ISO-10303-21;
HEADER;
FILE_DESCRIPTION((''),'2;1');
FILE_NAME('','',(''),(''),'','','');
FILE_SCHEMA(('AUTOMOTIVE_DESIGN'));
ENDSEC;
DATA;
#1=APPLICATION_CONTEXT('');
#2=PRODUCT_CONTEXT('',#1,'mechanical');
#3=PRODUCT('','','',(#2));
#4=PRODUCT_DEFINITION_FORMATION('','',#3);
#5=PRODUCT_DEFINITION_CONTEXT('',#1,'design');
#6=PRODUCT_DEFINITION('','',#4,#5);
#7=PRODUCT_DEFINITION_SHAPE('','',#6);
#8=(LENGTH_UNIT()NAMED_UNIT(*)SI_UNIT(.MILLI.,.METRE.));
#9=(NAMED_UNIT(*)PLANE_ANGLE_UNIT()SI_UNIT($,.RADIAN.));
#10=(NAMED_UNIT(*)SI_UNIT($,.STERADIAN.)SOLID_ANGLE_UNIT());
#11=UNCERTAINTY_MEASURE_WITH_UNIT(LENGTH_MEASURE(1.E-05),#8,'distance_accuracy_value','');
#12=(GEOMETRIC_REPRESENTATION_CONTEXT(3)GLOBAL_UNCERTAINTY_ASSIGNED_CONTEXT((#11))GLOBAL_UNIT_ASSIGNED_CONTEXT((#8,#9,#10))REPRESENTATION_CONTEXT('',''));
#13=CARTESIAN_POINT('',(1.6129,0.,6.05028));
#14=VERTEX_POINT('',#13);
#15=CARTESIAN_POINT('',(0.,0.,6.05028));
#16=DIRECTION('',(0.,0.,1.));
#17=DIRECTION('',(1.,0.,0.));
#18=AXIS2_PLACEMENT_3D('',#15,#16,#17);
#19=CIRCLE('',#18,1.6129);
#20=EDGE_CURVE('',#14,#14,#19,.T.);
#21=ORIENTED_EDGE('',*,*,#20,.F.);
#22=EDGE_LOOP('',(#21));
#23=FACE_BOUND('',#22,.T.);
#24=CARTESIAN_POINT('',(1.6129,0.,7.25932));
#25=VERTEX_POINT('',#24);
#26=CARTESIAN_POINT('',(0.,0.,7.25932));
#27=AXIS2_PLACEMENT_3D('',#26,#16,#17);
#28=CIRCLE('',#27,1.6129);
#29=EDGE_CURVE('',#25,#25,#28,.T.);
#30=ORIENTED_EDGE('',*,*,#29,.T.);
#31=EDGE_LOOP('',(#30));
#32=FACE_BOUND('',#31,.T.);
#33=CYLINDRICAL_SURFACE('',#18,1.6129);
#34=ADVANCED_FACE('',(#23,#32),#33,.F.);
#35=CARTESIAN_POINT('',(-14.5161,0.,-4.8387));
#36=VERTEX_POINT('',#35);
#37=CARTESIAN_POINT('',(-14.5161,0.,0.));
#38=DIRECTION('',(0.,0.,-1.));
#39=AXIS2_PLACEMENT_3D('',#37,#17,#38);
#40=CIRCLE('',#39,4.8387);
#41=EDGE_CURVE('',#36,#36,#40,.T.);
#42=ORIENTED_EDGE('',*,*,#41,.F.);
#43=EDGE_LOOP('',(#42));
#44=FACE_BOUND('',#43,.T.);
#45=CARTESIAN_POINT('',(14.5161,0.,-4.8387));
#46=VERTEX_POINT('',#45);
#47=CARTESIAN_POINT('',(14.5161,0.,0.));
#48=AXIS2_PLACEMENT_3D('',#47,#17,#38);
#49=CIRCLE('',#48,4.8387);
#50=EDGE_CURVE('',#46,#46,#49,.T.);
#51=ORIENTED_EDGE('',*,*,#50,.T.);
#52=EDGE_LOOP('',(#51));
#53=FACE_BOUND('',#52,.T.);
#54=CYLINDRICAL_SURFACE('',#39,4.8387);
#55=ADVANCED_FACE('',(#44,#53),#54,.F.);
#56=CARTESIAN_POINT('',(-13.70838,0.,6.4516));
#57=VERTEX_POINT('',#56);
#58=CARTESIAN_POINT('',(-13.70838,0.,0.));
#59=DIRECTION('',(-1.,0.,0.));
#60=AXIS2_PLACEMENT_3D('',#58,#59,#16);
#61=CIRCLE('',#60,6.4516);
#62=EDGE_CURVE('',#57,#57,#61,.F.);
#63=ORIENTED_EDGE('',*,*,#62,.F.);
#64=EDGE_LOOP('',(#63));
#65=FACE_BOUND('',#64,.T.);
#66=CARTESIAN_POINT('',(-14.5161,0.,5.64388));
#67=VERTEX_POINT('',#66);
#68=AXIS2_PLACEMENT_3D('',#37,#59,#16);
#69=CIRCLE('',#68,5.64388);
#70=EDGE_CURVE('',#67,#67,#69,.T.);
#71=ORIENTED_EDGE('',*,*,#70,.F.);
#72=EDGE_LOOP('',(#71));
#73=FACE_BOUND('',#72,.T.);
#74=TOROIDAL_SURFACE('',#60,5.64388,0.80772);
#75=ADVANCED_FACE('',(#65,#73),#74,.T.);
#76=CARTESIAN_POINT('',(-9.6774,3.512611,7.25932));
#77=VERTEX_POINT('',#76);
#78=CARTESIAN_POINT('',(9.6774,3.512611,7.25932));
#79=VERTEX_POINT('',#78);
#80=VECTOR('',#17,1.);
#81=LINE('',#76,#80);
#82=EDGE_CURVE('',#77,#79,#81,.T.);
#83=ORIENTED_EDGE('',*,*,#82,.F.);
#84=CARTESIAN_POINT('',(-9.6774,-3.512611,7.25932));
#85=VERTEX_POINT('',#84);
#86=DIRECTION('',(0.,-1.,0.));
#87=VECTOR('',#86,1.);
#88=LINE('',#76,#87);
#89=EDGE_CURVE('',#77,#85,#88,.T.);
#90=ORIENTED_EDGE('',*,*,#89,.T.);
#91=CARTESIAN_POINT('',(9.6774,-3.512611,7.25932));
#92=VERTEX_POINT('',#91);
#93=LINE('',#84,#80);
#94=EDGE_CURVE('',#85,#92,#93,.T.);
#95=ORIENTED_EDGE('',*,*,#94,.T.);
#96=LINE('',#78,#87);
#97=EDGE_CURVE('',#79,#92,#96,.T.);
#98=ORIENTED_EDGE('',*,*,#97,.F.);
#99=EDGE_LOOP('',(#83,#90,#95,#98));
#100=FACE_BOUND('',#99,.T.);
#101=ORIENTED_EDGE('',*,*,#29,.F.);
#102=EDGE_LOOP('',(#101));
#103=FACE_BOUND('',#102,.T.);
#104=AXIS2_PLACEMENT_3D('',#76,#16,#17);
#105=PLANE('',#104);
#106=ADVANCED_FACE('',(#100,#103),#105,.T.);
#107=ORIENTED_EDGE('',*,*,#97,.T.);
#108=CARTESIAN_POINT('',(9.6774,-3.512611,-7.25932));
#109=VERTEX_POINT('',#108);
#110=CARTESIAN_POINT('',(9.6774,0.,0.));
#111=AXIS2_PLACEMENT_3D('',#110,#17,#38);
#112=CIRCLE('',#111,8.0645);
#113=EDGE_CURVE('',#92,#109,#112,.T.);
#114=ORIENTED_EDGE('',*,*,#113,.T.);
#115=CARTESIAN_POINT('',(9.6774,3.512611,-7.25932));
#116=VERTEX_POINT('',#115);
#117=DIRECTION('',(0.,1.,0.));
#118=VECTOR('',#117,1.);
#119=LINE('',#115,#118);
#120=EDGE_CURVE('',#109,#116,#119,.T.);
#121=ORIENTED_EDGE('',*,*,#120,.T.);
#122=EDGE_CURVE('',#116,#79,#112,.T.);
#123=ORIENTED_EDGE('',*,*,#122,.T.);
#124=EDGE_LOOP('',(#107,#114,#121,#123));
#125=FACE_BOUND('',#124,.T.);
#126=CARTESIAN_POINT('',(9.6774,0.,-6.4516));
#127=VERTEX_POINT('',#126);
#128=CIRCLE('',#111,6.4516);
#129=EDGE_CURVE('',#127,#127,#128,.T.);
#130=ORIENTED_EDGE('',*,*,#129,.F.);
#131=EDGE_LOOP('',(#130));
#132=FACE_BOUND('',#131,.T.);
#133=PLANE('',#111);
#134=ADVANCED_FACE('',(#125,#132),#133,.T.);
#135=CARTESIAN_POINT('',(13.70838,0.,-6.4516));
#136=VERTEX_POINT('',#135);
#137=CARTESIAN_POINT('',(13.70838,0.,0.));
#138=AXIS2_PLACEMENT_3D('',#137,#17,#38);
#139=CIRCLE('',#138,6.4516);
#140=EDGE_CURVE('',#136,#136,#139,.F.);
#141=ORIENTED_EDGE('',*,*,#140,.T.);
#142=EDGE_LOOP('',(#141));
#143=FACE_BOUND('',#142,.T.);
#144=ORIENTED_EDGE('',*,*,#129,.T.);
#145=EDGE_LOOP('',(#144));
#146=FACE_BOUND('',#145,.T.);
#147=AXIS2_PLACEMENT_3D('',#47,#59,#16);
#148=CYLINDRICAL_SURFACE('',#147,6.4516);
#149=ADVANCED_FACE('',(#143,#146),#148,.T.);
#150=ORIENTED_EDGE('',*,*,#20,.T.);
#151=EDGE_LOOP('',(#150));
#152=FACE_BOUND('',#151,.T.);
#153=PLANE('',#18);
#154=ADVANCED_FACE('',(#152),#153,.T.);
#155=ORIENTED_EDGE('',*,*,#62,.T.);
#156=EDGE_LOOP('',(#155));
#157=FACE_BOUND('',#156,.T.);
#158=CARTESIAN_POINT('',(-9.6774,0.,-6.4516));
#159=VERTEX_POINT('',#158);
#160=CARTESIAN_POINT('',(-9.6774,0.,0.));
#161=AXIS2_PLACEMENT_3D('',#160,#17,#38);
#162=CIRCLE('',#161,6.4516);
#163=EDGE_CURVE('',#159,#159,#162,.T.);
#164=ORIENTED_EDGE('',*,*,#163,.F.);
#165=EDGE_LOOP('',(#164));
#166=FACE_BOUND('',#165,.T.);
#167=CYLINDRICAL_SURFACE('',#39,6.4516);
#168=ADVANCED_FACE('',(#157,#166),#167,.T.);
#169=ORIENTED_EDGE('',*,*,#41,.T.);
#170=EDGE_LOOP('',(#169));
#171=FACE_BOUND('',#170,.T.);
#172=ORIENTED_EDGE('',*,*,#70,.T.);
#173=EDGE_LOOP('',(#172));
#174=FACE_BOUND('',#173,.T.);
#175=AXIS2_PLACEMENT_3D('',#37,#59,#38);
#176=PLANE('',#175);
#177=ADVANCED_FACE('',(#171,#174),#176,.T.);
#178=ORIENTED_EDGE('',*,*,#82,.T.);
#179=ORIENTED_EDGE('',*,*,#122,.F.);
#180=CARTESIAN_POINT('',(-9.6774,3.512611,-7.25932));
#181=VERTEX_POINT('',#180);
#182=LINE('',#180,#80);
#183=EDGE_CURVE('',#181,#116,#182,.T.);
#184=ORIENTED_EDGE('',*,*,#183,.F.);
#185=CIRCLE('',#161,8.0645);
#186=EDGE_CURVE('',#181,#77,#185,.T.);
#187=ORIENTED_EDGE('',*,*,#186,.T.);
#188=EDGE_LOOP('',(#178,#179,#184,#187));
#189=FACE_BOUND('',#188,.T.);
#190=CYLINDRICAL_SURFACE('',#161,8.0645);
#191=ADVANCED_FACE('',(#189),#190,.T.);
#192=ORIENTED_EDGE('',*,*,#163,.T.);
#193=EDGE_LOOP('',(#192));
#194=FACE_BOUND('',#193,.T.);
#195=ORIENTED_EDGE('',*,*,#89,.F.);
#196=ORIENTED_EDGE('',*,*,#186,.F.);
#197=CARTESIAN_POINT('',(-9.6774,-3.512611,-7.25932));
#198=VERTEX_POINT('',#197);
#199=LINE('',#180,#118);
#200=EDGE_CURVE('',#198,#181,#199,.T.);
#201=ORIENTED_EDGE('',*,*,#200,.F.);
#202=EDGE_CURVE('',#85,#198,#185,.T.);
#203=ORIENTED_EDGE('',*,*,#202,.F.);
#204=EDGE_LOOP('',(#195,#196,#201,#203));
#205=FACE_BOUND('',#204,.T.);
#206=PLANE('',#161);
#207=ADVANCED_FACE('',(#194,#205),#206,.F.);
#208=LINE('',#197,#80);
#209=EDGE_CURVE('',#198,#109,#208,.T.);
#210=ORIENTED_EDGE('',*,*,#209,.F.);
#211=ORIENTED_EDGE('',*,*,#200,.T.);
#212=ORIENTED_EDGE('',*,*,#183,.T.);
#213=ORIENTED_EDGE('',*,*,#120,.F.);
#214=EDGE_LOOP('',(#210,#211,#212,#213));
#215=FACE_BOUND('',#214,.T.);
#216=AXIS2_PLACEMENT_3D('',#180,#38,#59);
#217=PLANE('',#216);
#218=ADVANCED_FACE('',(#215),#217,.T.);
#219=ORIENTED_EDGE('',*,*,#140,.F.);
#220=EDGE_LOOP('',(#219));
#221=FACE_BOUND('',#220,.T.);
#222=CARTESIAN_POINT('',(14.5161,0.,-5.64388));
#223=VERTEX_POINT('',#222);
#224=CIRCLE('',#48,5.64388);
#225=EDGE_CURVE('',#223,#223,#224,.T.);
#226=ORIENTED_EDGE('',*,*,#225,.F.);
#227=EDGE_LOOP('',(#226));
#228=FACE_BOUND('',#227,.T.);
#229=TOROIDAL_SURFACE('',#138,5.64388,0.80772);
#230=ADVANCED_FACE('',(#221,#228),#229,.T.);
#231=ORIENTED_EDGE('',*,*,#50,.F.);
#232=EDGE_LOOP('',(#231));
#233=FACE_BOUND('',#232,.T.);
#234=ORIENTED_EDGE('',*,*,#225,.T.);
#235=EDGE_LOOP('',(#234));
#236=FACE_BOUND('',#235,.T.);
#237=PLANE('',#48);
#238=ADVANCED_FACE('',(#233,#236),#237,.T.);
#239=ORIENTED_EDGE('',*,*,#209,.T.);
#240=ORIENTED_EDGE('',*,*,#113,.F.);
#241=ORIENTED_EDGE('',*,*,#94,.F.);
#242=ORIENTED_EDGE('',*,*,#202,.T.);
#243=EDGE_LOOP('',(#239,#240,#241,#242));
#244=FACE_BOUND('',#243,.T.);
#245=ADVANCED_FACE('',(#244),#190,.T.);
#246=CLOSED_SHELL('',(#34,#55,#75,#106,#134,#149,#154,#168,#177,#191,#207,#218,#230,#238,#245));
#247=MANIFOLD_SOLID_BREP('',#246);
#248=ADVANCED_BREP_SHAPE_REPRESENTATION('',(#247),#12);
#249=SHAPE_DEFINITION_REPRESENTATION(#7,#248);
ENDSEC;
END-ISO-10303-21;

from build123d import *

# Parameters (mm, degrees)
BOSS_EXTRUDE1_DEPTH      = 9.6774
BOSS_EXTRUDE1_DEPTH_BACK = 9.6774
SKETCH2_R                = 6.4516
BOSS_EXTRUDE2_DEPTH      = 4.8387
SKETCH3_R                = 4.8387
CUT_EXTRUDE1_DEPTH       = 30.0322
FILLET1_R                = 0.80772
SKETCH4_R                = 1.6129
CUT_EXTRUDE2_DEPTH       = 1.20904


with BuildPart() as part:
    # Sketch1 → Boss-Extrude1 (new body, two sides)
    with BuildSketch(Plane(origin=(0, 0, 0), x_dir=(0, 0, -1), z_dir=(1, 0, 0))) as boss_extrude1_sk:
        with BuildLine():
            Line((-7.25932, 3.512610623), (-7.25932, -3.512610623))
            ThreePointArc((-7.25932, -3.512610623), (0, -8.0645), (7.25932, -3.512610623))
            Line((7.25932, -3.512610623), (7.25932, 3.512610623))
            ThreePointArc((7.25932, 3.512610623), (0, 8.0645), (-7.25932, 3.512610623))
        make_face()
    extrude(amount=BOSS_EXTRUDE1_DEPTH)
    extrude(boss_extrude1_sk.sketch, amount=-BOSS_EXTRUDE1_DEPTH_BACK)

    # Sketch2 → Boss-Extrude2 (add)
    with BuildSketch(Plane(origin=(9.6774, 0, 0), x_dir=(0, 0, -1), z_dir=(1, 0, 0))):
        Circle(SKETCH2_R)
    boss_extrude2 = extrude(amount=BOSS_EXTRUDE2_DEPTH)

    # Mirror1: Boss-Extrude2 across plane
    add(boss_extrude2.mirror(Plane(origin=(0, 0, 0), x_dir=(0, 0, 1), z_dir=(1, 0, 0))))

    # Sketch3 → Cut-Extrude1 (cut, through all)
    with BuildSketch(Plane(origin=(14.5161, 0, 0), x_dir=(0, 0, -1), z_dir=(1, 0, 0))):
        Circle(SKETCH3_R)
    extrude(amount=-CUT_EXTRUDE1_DEPTH, mode=Mode.SUBTRACT)

    # Fillet1
    fillet1_edges = [part.edges().sort_by_distance(p)[0] for p in [
        (14.5161, 0, 6.4516),
        (-14.5161, 0, 6.4516),
    ]]
    fillet(fillet1_edges, radius=FILLET1_R)

    # Sketch4 → Cut-Extrude2 (cut)
    with BuildSketch(Plane.XY.offset(7.25932)):
        Circle(SKETCH4_R)
    extrude(amount=-CUT_EXTRUDE2_DEPTH, mode=Mode.SUBTRACT)


solid = part.part
